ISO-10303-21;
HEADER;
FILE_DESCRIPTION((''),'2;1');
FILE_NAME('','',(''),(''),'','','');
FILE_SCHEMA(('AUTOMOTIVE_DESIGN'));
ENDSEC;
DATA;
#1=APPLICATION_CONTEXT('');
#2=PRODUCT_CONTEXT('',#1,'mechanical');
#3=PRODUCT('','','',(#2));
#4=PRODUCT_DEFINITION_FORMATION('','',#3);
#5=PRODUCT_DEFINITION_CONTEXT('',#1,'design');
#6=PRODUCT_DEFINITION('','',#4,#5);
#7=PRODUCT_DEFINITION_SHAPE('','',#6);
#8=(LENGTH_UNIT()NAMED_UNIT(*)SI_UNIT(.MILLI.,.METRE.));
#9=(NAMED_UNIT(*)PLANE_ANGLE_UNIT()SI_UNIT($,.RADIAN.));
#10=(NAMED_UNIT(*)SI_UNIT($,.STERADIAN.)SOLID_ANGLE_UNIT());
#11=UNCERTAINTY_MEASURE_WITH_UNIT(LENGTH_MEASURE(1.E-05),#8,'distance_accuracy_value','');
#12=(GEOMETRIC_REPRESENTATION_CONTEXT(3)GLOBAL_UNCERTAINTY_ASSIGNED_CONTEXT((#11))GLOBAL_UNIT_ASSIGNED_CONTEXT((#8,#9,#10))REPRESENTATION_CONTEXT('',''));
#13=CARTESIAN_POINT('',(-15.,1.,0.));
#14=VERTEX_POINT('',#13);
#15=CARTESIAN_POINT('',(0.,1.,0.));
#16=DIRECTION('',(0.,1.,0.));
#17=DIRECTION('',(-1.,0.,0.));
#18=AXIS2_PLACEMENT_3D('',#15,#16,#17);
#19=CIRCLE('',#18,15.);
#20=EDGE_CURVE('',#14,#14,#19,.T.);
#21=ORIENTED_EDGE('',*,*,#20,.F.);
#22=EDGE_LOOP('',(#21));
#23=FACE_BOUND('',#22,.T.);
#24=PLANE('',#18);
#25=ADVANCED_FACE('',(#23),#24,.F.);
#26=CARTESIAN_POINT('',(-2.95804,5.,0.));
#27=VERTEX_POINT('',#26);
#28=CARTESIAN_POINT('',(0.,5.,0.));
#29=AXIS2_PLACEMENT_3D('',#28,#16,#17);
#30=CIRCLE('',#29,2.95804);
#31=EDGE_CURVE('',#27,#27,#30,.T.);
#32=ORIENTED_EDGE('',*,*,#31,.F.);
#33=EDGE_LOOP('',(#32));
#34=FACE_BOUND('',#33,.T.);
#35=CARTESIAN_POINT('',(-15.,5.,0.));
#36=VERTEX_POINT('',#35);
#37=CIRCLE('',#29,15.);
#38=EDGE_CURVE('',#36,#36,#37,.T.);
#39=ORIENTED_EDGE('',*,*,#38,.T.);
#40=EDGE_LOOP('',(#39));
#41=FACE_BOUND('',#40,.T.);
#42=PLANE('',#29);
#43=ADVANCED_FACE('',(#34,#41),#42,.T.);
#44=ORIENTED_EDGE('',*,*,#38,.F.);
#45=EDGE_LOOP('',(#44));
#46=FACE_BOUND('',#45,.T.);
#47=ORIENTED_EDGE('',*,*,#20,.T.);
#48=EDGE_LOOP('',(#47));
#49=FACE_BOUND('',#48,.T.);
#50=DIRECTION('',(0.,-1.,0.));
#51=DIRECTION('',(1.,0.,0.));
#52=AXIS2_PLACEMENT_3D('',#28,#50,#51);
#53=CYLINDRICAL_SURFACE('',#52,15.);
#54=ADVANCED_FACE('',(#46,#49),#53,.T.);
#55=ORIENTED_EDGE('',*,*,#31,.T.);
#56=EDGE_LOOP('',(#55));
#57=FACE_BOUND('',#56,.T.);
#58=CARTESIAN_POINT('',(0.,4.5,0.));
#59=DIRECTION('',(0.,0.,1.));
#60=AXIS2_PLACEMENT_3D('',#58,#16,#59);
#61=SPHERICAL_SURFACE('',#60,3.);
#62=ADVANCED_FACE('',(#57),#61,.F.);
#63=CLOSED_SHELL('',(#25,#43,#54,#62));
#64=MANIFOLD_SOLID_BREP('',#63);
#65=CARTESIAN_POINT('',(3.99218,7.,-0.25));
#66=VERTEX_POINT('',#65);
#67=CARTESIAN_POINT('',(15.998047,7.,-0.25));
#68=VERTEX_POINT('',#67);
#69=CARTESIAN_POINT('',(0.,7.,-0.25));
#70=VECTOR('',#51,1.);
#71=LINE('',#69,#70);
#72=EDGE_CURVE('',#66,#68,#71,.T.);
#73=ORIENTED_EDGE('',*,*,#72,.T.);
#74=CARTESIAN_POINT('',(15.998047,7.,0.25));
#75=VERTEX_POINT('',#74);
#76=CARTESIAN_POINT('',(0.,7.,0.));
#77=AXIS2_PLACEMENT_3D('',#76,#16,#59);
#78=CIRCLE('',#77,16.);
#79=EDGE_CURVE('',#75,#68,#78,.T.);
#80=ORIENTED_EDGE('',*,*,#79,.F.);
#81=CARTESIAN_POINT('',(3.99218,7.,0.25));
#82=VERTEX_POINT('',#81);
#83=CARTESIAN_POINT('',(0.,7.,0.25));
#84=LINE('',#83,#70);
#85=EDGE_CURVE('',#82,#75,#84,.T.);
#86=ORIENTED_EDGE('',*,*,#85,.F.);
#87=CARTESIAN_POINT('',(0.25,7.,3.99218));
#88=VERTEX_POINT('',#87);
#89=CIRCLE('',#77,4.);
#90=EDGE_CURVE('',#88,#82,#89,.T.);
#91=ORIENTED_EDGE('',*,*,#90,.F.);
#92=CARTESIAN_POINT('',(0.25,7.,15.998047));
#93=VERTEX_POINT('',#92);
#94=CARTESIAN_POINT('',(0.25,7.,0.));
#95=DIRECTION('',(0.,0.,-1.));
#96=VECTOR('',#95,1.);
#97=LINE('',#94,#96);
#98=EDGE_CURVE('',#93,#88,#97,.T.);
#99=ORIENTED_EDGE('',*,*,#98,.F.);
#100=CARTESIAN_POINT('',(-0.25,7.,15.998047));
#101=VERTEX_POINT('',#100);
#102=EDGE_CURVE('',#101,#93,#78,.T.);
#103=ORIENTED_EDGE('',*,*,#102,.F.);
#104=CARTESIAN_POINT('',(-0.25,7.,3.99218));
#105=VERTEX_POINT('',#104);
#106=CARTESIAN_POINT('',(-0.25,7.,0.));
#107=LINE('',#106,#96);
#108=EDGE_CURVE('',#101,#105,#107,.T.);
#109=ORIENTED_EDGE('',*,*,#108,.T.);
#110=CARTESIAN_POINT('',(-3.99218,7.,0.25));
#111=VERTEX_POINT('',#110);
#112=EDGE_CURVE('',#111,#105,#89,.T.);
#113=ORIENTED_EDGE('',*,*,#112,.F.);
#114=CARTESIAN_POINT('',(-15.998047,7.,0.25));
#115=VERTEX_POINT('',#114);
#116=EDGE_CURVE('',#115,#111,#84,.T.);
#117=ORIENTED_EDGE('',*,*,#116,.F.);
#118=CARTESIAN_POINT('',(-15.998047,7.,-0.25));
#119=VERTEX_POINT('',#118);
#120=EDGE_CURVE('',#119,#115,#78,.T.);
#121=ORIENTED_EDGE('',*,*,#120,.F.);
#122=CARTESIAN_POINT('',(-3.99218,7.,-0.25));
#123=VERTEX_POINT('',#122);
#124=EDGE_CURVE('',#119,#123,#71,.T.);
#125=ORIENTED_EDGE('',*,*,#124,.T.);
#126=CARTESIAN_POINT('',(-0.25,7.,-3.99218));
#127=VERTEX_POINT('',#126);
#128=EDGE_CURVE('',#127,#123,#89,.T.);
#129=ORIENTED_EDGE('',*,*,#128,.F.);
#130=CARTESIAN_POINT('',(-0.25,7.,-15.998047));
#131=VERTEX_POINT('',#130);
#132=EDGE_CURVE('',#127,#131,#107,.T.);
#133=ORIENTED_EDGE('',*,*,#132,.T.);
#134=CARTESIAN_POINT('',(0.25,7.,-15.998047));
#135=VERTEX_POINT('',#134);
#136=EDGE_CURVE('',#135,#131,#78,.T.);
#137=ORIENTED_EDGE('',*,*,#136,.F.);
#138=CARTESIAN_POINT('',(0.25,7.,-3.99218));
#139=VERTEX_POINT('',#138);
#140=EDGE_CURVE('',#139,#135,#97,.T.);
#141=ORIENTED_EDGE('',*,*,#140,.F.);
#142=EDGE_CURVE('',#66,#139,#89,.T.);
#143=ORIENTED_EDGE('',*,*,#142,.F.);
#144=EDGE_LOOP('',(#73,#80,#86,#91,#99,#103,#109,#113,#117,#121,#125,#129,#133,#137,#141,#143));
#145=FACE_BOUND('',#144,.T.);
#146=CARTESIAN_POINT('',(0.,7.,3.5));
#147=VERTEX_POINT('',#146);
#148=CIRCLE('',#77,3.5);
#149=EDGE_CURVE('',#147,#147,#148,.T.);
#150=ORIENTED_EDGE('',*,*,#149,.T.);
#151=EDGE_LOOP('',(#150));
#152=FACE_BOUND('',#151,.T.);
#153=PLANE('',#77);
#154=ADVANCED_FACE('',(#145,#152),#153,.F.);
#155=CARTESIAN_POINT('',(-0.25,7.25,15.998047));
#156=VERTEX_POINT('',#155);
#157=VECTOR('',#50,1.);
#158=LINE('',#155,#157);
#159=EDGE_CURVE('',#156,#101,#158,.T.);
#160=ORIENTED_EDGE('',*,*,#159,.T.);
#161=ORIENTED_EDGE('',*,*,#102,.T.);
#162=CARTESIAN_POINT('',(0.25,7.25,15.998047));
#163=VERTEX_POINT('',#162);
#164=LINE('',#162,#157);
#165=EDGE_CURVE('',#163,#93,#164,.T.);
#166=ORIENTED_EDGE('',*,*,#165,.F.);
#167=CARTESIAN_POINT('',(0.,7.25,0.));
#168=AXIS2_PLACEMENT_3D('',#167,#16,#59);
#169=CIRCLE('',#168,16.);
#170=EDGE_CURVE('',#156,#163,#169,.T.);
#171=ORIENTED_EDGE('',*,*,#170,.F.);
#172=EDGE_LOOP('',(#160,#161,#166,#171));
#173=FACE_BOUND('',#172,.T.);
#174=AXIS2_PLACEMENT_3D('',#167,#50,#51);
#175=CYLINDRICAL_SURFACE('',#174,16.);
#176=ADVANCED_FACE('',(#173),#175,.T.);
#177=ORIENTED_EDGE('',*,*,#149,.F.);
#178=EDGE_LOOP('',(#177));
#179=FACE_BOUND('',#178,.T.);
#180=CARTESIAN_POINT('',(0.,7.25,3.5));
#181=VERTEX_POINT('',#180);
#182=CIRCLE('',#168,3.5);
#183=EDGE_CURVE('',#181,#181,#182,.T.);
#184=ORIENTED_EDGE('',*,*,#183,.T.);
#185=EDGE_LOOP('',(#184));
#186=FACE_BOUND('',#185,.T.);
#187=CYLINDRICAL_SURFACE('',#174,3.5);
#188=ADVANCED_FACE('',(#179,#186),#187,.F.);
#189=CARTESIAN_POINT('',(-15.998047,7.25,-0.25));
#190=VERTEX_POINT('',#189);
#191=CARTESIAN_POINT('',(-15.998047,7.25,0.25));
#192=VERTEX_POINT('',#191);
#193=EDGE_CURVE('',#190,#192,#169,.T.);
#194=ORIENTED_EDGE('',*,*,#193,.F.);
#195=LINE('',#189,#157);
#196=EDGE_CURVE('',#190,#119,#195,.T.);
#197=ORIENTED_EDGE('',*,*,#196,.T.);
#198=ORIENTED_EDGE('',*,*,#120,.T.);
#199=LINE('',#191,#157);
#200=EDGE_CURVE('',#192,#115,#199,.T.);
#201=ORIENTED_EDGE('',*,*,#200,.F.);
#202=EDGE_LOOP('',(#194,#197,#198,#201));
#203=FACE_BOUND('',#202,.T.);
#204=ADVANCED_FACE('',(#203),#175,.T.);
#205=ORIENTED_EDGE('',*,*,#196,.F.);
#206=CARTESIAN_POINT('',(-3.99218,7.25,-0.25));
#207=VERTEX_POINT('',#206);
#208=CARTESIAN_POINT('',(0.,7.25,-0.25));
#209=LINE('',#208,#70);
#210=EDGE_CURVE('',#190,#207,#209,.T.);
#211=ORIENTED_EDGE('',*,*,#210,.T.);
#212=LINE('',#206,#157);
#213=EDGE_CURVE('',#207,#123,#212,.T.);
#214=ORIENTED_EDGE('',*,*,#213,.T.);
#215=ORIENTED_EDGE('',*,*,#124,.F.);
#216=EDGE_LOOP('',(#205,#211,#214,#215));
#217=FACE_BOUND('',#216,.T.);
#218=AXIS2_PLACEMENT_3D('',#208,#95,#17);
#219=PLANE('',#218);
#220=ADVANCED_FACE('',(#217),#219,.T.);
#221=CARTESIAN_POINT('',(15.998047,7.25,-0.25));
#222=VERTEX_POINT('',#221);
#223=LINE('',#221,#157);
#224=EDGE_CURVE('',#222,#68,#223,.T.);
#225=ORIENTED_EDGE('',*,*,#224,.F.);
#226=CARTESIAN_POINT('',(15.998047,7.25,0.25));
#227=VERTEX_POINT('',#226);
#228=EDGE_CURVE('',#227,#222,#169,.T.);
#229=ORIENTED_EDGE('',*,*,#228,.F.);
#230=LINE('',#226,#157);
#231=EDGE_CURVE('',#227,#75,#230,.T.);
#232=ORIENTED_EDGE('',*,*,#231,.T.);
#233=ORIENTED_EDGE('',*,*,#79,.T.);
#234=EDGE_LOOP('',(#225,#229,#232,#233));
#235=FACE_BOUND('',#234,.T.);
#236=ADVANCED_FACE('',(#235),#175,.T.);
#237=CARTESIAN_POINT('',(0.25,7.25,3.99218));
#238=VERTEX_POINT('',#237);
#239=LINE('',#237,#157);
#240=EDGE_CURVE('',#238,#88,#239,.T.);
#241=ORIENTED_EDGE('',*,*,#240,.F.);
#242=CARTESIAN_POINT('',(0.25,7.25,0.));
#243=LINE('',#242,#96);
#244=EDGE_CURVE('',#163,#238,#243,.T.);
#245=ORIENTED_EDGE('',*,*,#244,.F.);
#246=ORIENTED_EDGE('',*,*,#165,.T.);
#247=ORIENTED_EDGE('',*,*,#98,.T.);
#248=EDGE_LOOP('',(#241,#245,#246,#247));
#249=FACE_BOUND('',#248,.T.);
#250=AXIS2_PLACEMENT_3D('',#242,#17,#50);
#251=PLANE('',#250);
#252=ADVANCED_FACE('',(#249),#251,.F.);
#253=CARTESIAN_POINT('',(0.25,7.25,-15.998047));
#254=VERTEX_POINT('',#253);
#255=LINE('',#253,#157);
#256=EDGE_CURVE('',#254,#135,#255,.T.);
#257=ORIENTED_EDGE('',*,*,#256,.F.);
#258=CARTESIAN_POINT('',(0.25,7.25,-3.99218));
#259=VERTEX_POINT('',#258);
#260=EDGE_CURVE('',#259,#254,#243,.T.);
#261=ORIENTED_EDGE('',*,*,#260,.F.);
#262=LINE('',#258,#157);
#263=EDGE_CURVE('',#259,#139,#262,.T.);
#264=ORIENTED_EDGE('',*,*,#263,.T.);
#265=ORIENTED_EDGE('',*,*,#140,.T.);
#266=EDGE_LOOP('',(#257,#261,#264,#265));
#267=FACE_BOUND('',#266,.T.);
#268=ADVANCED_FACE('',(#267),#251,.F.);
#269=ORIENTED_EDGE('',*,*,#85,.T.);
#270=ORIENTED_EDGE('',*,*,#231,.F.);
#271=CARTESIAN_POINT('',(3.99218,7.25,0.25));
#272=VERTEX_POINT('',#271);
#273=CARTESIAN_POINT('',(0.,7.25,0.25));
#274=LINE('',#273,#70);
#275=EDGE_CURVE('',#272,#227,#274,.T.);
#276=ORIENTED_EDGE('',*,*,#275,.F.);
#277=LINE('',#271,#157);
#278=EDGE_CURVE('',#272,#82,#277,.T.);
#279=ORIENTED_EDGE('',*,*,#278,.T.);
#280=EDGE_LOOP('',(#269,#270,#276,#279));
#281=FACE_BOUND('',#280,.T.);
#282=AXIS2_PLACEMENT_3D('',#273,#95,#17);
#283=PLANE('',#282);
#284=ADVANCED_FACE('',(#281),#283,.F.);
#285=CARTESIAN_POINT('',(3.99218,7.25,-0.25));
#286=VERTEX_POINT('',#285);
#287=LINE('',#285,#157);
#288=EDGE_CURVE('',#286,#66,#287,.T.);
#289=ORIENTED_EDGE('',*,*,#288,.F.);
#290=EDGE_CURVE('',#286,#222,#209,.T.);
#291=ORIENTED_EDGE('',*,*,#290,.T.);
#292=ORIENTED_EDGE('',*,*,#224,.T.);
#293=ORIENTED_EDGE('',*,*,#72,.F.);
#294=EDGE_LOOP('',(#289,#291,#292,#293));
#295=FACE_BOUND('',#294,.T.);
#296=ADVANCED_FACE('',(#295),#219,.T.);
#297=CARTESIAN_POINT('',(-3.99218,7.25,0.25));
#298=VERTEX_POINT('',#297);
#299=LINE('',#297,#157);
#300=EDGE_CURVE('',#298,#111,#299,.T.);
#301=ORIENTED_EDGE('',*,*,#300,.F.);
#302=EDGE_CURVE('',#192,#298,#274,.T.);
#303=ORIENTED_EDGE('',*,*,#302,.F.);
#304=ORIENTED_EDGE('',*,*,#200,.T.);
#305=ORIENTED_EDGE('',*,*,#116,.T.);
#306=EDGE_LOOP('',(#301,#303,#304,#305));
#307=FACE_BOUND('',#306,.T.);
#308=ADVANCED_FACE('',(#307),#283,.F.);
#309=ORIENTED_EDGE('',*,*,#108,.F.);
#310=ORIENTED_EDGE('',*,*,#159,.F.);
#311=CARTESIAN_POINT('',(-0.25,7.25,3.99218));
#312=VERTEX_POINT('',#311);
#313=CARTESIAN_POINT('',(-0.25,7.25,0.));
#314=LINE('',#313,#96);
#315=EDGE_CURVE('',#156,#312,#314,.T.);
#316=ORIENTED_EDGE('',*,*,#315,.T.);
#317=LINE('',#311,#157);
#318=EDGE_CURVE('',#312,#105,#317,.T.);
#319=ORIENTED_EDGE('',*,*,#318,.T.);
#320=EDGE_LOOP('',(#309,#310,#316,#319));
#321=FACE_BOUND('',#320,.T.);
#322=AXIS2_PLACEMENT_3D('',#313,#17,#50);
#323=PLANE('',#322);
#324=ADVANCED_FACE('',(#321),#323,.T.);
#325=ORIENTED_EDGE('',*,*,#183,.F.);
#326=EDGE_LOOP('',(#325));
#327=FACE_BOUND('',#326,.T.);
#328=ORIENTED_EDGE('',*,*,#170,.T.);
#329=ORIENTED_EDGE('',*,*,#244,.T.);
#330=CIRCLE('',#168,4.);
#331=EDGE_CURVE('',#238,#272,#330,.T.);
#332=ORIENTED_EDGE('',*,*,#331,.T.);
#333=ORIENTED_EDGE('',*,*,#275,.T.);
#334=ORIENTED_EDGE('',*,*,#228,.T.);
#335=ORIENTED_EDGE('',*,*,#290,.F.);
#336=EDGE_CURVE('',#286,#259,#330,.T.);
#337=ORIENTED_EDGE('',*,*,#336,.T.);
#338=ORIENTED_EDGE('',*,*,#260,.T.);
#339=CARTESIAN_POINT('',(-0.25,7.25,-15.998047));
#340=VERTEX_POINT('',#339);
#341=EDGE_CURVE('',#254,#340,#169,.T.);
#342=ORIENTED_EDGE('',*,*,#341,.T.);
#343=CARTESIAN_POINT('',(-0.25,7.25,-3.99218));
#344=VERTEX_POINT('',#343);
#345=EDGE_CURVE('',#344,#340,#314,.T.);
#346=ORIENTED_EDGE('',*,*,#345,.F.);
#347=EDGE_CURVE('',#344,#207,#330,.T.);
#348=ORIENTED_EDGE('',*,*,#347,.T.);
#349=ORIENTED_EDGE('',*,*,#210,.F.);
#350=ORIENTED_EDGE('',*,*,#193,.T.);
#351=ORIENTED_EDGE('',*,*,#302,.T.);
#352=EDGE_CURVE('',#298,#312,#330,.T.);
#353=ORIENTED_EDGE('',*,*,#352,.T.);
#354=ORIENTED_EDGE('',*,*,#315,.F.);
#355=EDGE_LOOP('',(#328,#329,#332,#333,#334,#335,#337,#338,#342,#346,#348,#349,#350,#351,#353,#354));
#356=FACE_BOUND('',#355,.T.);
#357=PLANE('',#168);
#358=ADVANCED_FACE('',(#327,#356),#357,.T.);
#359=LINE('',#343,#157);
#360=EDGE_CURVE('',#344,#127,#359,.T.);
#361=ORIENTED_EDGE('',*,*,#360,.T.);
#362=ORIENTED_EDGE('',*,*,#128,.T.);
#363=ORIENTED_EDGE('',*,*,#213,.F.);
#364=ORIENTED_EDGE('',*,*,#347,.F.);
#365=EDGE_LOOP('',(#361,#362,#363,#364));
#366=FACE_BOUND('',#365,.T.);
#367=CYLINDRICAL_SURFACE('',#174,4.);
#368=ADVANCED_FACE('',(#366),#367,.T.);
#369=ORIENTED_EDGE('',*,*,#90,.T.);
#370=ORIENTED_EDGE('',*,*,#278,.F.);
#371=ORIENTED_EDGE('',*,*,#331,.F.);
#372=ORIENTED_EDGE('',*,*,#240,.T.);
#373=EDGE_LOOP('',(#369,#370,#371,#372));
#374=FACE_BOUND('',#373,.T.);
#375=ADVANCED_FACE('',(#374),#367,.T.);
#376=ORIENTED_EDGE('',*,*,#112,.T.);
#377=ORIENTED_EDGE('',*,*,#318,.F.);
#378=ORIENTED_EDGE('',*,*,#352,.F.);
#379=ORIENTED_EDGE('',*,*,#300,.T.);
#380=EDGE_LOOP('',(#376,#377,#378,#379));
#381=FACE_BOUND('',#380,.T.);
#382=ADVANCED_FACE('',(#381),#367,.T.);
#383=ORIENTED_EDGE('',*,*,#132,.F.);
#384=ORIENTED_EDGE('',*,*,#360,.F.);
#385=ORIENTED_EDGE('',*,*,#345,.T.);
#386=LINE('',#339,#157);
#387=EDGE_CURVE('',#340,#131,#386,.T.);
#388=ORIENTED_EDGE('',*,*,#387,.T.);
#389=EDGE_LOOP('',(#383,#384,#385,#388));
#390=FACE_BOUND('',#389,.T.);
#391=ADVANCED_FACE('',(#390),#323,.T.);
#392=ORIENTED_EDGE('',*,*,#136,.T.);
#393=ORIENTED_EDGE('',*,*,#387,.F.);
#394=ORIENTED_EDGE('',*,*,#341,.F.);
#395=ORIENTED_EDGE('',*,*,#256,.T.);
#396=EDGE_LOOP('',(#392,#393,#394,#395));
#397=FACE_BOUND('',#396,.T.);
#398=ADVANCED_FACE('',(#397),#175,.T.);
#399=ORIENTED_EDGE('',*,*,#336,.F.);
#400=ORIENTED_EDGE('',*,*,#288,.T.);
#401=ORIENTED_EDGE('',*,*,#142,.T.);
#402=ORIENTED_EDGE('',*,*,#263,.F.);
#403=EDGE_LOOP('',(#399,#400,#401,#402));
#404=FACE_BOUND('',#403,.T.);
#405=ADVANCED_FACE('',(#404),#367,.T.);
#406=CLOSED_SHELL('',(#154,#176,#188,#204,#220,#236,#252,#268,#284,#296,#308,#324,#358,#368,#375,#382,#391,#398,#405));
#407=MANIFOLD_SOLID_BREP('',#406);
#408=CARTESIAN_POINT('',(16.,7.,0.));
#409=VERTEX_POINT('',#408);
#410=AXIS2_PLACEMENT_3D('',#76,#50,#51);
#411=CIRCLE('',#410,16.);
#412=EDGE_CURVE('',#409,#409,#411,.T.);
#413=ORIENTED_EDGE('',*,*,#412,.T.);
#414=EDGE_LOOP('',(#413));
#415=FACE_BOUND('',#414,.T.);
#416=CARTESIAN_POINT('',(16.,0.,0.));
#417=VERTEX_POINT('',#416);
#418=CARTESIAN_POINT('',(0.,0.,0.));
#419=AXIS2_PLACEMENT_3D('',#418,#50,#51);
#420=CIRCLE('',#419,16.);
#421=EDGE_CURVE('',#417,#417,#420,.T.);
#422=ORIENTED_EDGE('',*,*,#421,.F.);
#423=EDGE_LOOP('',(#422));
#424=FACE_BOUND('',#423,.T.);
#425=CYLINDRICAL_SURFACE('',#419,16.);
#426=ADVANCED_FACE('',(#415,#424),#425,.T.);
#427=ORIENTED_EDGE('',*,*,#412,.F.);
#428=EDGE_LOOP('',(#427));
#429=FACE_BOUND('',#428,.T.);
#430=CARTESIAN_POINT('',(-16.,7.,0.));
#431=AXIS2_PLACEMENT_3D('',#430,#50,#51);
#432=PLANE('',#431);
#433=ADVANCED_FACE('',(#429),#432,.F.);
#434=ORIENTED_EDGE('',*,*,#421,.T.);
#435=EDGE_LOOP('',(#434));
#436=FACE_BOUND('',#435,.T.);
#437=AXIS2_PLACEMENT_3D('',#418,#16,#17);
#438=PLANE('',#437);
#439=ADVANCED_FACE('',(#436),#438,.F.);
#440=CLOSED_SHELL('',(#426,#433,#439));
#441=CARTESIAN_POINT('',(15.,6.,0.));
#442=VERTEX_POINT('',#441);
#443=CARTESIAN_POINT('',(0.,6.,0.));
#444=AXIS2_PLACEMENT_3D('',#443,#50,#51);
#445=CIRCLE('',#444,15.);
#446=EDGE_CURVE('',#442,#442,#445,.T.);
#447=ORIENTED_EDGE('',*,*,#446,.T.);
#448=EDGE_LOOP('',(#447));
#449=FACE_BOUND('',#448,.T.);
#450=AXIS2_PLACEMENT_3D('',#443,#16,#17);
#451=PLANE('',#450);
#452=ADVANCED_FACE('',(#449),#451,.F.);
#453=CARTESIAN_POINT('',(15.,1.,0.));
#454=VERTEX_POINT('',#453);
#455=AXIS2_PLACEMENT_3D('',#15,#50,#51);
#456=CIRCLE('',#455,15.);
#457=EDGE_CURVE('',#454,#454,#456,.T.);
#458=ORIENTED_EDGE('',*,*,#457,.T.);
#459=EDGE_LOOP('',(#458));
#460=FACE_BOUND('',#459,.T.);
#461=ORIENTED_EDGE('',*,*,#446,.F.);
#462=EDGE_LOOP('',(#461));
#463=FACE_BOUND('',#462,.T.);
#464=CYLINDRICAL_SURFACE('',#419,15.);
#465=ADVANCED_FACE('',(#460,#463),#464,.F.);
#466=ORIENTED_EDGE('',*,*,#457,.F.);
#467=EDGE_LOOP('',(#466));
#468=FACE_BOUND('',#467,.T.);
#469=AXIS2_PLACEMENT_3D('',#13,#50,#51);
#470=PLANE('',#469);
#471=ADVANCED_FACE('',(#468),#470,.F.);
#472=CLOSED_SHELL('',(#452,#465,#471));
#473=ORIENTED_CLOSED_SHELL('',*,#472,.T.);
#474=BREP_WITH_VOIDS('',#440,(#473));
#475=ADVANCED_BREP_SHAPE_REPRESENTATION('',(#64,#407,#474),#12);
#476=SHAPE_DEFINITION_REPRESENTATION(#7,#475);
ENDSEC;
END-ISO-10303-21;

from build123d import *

# Parameters (mm, degrees)
SKETCH3_R           = 15
BOSS_EXTRUDE1_DEPTH = 4
SKETCH4_R           = 4
SKETCH4_R_2         = 3.5
BOSS_EXTRUDE2_DEPTH = 0.25


with BuildPart() as part:
    # Sketch2 → Revolve1 (revolve)
    with BuildSketch(Plane.XY, mode=Mode.PRIVATE) as revolve1_sk:
        Polygon((0, 0), (-16, 0), (-16, 7), (0, 7), (0, 6), (-15, 6), (-15, 1), (0, 1), align=None)
    revolve(revolve1_sk.sketch.rotate(Axis((0, 0, 0), (0, 1, 0)), 180), axis=Axis((0, 0, 0), (0, 1, 0)))


with BuildPart() as body_2:
    # Sketch3 → Boss-Extrude1 (new body)
    with BuildSketch(Plane(origin=(0, 1, 0), x_dir=(1, 0, 0), z_dir=(0, 1, 0))):
        with Locations(Location((0, 0, 0), (0, 0, 180))):
            Circle(SKETCH3_R)
    extrude(amount=BOSS_EXTRUDE1_DEPTH)

    # Sketch5 → Cut-Revolve1 (revolve, cut)
    with BuildSketch(Plane(origin=(0, 0, 0), x_dir=(0, 0, -1), z_dir=(1, 0, 0))):
        with BuildLine():
            Line((0, 7.5), (0, 1.5))
            ThreePointArc((0, 1.5), (-3, 4.5), (0, 7.5))
        make_face()
    revolve(axis=Axis((0, 7.5, 0), (0, -1, 0)), mode=Mode.SUBTRACT)


with BuildPart() as body_3:
    # Sketch4 → Boss-Extrude2 (new body)
    # profile 1 of 5: a face of its own
    with BuildSketch(Plane(origin=(0, 7, 0), x_dir=(1, 0, 0), z_dir=(0, 1, 0))):
        Circle(SKETCH4_R)
        with Locations(Location((0, 0, 0), (0, 0, 270))):
            Circle(SKETCH4_R_2, mode=Mode.SUBTRACT)
    # profile 2 of 5: a face of its own
    with BuildSketch(Plane(origin=(0, 7, 0), x_dir=(1, 0, 0), z_dir=(0, 1, 0))):
        with BuildLine():
            Line((3.992179856, -0.25), (15.998046756, -0.25))
            ThreePointArc((15.998046756, -0.25), (15.999511681, -0.125003815), (16, 0))
            ThreePointArc((16, 0), (15.999511681, 0.125003815), (15.998046756, 0.25))
            Line((15.998046756, 0.25), (3.992179856, 0.25))
            ThreePointArc((3.992179856, 0.25), (3.998044486, 0.12506114), (4, 0))
            ThreePointArc((4, 0), (3.998044486, -0.12506114), (3.992179856, -0.25))
        make_face()
    # profile 3 of 5: a face of its own
    with BuildSketch(Plane(origin=(0, 7, 0), x_dir=(1, 0, 0), z_dir=(0, 1, 0))):
        with BuildLine():
            ThreePointArc((0.25, 15.998046756), (0, 16), (-0.25, 15.998046756))
            Line((-0.25, 15.998046756), (-0.25, 3.992179856))
            ThreePointArc((-0.25, 3.992179856), (0, 4), (0.25, 3.992179856))
            Line((0.25, 3.992179856), (0.25, 15.998046756))
        make_face()
    # profile 4 of 5: a face of its own
    with BuildSketch(Plane(origin=(0, 7, 0), x_dir=(1, 0, 0), z_dir=(0, 1, 0))):
        with BuildLine():
            ThreePointArc((-15.998046756, 0.25), (-16, 0), (-15.998046756, -0.25))
            Line((-15.998046756, -0.25), (-3.992179856, -0.25))
            ThreePointArc((-3.992179856, -0.25), (-4, 0), (-3.992179856, 0.25))
            Line((-3.992179856, 0.25), (-15.998046756, 0.25))
        make_face()
    # profile 5 of 5: a face of its own
    with BuildSketch(Plane(origin=(0, 7, 0), x_dir=(1, 0, 0), z_dir=(0, 1, 0))):
        with BuildLine():
            Line((-0.25, -3.992179856), (-0.25, -15.998046756))
            ThreePointArc((-0.25, -15.998046756), (0, -16), (0.25, -15.998046756))
            Line((0.25, -15.998046756), (0.25, -3.992179856))
            ThreePointArc((0.25, -3.992179856), (0, -4), (-0.25, -3.992179856))
        make_face()
    extrude(amount=BOSS_EXTRUDE2_DEPTH)


solid = Compound([part.part, body_2.part, body_3.part])
